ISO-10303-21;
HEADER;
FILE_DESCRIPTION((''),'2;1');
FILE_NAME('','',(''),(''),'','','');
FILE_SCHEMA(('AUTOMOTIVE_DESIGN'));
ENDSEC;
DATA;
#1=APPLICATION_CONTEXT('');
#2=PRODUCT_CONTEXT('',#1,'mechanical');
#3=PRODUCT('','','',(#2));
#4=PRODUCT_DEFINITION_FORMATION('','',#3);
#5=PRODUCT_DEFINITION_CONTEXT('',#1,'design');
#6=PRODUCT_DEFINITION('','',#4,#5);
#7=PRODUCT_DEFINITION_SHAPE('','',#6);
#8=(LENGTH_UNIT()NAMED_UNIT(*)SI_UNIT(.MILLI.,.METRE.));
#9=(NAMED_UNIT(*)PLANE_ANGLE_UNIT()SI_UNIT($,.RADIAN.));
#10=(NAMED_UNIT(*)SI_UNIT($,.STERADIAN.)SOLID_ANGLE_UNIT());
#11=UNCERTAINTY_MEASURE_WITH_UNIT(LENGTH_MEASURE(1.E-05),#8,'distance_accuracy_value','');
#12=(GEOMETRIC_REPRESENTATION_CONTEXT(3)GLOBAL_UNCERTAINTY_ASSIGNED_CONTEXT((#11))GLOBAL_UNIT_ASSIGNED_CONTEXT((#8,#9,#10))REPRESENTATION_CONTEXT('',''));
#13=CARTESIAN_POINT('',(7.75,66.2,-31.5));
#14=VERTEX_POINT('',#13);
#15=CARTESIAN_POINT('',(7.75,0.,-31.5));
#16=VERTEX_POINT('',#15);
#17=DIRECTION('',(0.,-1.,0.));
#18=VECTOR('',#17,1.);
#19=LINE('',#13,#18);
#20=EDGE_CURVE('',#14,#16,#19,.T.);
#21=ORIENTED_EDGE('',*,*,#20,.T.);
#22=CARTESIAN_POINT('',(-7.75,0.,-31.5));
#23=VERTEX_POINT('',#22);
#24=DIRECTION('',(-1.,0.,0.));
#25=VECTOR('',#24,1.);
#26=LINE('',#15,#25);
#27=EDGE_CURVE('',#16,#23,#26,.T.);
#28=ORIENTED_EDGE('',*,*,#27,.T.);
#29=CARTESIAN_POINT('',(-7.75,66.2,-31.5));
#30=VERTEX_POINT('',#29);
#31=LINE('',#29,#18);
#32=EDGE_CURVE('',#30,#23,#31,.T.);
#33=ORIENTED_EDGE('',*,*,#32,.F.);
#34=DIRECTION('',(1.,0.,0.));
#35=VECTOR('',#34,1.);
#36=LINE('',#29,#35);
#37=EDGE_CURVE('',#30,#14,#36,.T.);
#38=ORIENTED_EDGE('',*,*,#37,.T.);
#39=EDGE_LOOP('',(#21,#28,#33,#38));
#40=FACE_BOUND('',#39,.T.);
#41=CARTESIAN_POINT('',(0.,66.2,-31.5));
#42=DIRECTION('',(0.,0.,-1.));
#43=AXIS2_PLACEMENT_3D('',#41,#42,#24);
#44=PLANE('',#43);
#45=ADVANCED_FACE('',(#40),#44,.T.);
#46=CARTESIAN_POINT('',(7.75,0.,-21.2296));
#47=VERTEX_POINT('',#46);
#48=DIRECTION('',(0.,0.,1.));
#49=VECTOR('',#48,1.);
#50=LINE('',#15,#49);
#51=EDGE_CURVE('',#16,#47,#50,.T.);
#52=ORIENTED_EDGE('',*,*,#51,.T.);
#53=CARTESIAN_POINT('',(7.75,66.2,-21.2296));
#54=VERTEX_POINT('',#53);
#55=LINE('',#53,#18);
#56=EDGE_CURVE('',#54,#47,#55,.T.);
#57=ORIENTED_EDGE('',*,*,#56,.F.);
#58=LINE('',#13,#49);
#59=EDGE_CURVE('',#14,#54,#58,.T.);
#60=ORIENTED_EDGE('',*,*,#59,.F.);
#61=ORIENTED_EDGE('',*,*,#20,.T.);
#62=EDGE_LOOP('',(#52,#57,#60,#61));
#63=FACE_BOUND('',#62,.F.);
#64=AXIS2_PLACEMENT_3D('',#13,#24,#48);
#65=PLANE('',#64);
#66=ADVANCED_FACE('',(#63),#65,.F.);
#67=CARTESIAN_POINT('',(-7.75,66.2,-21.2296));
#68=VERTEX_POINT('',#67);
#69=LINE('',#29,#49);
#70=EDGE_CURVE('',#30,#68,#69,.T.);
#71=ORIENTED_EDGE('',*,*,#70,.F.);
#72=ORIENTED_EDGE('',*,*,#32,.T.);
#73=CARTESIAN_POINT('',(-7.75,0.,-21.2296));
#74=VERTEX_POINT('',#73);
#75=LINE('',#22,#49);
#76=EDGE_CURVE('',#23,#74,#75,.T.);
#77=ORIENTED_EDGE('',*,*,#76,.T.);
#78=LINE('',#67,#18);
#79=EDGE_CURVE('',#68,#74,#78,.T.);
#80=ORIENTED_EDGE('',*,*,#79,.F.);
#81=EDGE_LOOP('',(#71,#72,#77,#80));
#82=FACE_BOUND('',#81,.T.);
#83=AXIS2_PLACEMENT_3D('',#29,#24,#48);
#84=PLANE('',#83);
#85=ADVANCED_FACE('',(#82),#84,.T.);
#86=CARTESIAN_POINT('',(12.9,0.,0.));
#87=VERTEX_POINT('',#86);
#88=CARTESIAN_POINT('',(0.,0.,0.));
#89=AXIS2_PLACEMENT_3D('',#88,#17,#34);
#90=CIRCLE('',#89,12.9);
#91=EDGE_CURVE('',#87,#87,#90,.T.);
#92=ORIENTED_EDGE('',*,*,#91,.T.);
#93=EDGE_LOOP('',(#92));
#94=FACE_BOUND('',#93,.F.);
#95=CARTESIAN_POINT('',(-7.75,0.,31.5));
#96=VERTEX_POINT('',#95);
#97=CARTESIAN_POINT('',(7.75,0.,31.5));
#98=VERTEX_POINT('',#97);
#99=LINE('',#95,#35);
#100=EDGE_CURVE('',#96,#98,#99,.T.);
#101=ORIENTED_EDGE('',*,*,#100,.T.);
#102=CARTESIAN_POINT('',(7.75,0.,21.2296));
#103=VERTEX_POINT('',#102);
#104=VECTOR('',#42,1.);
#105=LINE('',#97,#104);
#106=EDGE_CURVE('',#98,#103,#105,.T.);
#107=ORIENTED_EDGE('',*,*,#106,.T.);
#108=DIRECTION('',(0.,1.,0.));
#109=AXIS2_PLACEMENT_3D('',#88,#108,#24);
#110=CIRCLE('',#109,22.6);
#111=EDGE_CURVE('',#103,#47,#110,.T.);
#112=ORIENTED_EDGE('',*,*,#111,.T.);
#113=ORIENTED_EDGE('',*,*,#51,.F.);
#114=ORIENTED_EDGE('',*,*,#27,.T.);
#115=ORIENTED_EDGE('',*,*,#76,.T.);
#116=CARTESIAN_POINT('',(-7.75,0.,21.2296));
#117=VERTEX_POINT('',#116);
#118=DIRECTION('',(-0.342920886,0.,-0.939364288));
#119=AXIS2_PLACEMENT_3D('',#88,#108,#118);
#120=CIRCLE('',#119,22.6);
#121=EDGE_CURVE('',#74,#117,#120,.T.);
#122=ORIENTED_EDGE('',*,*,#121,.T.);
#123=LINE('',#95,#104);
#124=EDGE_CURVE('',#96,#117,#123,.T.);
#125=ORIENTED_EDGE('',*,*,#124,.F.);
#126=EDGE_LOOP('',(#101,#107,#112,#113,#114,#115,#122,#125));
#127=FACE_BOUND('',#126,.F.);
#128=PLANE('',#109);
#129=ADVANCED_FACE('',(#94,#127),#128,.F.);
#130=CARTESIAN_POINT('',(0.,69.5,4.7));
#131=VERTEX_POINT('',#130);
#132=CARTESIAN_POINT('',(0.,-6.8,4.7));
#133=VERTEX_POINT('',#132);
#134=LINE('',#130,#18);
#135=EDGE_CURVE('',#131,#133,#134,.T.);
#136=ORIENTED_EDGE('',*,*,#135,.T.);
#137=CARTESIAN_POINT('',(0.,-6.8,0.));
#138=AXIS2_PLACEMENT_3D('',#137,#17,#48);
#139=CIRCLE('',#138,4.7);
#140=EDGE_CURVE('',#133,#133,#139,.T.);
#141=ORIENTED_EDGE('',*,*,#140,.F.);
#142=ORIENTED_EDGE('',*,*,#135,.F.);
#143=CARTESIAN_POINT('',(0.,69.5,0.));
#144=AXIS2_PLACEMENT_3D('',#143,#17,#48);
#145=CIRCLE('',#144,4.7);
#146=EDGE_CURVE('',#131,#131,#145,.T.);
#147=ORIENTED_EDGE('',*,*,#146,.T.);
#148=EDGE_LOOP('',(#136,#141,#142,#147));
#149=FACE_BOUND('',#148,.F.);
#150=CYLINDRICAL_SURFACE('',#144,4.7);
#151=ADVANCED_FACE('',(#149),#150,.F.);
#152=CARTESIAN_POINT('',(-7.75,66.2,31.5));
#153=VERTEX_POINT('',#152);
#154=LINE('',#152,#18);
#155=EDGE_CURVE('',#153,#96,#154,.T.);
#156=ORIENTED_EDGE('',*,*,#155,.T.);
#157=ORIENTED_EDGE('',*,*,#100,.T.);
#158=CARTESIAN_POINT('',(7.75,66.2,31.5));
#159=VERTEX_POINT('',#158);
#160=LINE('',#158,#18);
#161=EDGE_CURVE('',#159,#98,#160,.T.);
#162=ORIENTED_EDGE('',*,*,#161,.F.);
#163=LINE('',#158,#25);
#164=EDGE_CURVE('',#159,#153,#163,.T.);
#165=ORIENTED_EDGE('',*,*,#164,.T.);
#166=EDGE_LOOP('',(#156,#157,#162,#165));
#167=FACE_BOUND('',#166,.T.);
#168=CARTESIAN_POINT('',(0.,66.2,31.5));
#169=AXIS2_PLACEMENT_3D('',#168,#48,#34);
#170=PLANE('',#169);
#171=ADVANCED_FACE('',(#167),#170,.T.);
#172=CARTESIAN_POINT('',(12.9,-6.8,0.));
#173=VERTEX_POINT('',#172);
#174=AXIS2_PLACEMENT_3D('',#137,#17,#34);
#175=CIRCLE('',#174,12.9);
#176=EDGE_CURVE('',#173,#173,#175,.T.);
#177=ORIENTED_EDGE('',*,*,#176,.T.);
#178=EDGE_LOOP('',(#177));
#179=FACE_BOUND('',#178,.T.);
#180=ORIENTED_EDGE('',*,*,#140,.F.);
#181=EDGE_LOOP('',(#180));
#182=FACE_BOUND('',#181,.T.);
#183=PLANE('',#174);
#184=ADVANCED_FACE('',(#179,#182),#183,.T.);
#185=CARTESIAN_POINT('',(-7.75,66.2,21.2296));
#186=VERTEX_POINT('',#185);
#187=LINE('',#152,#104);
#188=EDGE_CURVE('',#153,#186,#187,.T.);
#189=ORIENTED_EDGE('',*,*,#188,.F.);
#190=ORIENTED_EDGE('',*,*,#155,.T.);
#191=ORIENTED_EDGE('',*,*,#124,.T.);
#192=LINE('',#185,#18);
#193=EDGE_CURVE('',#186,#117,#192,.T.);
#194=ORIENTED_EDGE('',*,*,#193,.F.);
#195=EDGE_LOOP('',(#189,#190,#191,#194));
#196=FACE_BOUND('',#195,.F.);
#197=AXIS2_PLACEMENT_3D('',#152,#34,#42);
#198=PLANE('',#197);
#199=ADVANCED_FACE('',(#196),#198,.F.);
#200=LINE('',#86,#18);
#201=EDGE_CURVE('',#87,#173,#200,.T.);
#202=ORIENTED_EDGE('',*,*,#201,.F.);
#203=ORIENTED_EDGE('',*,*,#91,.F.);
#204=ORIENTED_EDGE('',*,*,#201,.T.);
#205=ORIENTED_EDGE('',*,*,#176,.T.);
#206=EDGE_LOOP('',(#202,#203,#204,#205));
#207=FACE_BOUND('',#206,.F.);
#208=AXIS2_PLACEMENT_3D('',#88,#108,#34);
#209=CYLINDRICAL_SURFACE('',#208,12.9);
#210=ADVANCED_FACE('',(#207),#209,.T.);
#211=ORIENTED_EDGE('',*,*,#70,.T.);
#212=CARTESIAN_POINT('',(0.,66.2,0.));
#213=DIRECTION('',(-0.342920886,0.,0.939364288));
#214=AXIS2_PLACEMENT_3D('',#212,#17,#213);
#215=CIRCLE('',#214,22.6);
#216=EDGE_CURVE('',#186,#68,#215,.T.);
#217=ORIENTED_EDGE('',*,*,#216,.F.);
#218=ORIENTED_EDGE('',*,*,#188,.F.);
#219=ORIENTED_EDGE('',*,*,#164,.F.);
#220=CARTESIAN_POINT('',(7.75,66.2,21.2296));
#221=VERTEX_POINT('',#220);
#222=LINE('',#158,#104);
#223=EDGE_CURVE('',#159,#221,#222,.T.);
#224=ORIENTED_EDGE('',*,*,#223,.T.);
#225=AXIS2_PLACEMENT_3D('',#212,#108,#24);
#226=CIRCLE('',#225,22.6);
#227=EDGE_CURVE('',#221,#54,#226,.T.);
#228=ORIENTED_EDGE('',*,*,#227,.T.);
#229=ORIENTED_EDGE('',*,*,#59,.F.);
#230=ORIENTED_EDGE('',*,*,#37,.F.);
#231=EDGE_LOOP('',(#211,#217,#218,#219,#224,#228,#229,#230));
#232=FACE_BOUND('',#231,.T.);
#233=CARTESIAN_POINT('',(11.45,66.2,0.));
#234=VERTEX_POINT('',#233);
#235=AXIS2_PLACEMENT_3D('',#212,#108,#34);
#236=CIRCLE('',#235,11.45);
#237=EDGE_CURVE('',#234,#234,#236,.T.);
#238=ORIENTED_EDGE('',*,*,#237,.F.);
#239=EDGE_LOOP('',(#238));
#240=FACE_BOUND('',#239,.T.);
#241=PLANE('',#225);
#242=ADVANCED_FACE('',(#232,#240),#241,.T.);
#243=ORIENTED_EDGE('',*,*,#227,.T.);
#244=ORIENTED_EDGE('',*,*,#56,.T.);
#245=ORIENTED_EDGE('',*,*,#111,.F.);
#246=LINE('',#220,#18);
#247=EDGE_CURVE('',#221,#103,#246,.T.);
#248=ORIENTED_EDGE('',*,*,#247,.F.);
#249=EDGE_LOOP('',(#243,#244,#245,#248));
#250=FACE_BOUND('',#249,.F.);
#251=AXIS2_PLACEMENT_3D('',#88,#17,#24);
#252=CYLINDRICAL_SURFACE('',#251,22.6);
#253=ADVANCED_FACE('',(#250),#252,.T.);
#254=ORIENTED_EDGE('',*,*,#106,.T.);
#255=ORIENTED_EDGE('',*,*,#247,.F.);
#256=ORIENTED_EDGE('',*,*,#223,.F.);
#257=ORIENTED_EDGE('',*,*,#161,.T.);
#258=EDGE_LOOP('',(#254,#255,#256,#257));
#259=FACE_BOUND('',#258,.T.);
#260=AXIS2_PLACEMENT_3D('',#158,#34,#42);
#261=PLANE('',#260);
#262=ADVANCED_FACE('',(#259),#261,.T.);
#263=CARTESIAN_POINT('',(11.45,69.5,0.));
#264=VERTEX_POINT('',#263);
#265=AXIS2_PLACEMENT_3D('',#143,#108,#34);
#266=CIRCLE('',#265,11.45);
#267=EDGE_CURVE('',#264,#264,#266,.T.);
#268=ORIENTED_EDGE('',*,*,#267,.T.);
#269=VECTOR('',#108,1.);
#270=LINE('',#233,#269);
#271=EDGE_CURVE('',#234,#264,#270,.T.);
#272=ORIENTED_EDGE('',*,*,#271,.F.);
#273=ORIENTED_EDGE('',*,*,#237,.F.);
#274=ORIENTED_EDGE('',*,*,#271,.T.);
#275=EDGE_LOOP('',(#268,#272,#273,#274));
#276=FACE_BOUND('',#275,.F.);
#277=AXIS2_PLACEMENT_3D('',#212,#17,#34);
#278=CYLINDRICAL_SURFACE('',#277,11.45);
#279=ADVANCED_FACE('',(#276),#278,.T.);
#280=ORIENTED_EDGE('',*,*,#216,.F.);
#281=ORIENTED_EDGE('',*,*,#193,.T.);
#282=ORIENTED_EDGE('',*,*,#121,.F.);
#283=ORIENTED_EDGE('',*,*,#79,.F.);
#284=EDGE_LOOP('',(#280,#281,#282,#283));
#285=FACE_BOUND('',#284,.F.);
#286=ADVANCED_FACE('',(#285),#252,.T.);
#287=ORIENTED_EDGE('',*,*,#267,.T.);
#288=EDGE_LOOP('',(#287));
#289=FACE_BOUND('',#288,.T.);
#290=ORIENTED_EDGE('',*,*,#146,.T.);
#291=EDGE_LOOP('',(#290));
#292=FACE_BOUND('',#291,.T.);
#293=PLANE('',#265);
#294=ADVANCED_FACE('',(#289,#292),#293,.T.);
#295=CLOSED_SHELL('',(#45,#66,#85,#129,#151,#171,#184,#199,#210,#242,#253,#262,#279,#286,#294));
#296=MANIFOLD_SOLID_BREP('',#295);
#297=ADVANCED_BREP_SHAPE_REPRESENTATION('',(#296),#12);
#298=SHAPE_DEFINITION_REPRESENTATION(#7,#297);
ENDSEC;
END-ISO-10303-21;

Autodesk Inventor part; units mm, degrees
ref_plane "YZ Plane" through (0, 0, 0) normal (1, 0, 0) x (0, 1, 0)
ref_plane "XZ Plane" through (0, 0, 0) normal (0, 1, 0) x (-1, 0, 0)
ref_plane "XY Plane" through (0, 0, 0) normal (0, 0, 1) x (1, 0, 0)
sketch "Sketch1" plane through (0, 0, 0) normal (0, 1, 0) x (-1, 0, 0)
  circle A0 centre (0, 0) radius 22.6
  dimension "d0" = 45.2
extrude "Extrusion1" add sketch "Sketch1" along normal blind 66.2
sketch "Sketch2" plane through (0, 66.2, 0) normal (0, 1, 0) x (1, 0, 0)
  circle A0 centre (0, 0) radius 11.45
  dimension "d3" = 22.9
extrude "Extrusion2" add sketch "Sketch2" along normal blind 3.3
sketch "Sketch4" plane through (0, 0, 0) normal (0, -1, 0) x (1, 0, 0)
  circle A0 centre (0, 0) radius 12.9
  dimension "d14" = 25.8
extrude "Extrusion3" add sketch "Sketch4" along normal blind 6.8
sketch "Sketch5" plane through (0, 69.5, 0) normal (0, 1, 0) x (1, 0, 0)
  point P0 (0, 0)
hole "Hole2" at (0, 69.5, 0) direction (0, -1, 0) diameter 9.4 depth 92.25 tip angle 118
sketch "Sketch6" plane through (0, 66.2, 0) normal (0, 1, 0) x (1, 0, 0)
  circle A0 centre (0, 0) radius 4.7 projected
  circle A1 centre (0, 0) radius 22.6 projected
  line L0 (0, 31.5) -> (7.75, 31.5)
  line L1 (0, 31.5) -> (-7.75, 31.5)
  line L2 (-7.75, 31.5) -> (-7.75, 21.2296)
  line L3 (7.75, 31.5) -> (7.75, 21.2296)
  line L4 (0, -31.5) -> (7.75, -31.5)
  line L5 (0, -31.5) -> (-7.75, -31.5)
  line L6 (-7.75, -31.5) -> (-7.75, -21.2296)
  line L7 (7.75, -31.5) -> (7.75, -21.2296)
  dimension "d25" = 7.75
  dimension "d26" = 7.75
sketch "Sketch7" plane through (0, 66.2, 0) normal (0, 1, 0) x (1, 0, 0)
  point P0 (0, 0)
extrude "Extrusion4" add sketch "Sketch6" against normal blind 66.2 contours A1 L2 L1 L0 L3 | L7 L4 L5 L6 A1
equation "\"d27\" = d1"
equation "\"d1\" = 66.2"
properties part number "Dc Gen Outline"
